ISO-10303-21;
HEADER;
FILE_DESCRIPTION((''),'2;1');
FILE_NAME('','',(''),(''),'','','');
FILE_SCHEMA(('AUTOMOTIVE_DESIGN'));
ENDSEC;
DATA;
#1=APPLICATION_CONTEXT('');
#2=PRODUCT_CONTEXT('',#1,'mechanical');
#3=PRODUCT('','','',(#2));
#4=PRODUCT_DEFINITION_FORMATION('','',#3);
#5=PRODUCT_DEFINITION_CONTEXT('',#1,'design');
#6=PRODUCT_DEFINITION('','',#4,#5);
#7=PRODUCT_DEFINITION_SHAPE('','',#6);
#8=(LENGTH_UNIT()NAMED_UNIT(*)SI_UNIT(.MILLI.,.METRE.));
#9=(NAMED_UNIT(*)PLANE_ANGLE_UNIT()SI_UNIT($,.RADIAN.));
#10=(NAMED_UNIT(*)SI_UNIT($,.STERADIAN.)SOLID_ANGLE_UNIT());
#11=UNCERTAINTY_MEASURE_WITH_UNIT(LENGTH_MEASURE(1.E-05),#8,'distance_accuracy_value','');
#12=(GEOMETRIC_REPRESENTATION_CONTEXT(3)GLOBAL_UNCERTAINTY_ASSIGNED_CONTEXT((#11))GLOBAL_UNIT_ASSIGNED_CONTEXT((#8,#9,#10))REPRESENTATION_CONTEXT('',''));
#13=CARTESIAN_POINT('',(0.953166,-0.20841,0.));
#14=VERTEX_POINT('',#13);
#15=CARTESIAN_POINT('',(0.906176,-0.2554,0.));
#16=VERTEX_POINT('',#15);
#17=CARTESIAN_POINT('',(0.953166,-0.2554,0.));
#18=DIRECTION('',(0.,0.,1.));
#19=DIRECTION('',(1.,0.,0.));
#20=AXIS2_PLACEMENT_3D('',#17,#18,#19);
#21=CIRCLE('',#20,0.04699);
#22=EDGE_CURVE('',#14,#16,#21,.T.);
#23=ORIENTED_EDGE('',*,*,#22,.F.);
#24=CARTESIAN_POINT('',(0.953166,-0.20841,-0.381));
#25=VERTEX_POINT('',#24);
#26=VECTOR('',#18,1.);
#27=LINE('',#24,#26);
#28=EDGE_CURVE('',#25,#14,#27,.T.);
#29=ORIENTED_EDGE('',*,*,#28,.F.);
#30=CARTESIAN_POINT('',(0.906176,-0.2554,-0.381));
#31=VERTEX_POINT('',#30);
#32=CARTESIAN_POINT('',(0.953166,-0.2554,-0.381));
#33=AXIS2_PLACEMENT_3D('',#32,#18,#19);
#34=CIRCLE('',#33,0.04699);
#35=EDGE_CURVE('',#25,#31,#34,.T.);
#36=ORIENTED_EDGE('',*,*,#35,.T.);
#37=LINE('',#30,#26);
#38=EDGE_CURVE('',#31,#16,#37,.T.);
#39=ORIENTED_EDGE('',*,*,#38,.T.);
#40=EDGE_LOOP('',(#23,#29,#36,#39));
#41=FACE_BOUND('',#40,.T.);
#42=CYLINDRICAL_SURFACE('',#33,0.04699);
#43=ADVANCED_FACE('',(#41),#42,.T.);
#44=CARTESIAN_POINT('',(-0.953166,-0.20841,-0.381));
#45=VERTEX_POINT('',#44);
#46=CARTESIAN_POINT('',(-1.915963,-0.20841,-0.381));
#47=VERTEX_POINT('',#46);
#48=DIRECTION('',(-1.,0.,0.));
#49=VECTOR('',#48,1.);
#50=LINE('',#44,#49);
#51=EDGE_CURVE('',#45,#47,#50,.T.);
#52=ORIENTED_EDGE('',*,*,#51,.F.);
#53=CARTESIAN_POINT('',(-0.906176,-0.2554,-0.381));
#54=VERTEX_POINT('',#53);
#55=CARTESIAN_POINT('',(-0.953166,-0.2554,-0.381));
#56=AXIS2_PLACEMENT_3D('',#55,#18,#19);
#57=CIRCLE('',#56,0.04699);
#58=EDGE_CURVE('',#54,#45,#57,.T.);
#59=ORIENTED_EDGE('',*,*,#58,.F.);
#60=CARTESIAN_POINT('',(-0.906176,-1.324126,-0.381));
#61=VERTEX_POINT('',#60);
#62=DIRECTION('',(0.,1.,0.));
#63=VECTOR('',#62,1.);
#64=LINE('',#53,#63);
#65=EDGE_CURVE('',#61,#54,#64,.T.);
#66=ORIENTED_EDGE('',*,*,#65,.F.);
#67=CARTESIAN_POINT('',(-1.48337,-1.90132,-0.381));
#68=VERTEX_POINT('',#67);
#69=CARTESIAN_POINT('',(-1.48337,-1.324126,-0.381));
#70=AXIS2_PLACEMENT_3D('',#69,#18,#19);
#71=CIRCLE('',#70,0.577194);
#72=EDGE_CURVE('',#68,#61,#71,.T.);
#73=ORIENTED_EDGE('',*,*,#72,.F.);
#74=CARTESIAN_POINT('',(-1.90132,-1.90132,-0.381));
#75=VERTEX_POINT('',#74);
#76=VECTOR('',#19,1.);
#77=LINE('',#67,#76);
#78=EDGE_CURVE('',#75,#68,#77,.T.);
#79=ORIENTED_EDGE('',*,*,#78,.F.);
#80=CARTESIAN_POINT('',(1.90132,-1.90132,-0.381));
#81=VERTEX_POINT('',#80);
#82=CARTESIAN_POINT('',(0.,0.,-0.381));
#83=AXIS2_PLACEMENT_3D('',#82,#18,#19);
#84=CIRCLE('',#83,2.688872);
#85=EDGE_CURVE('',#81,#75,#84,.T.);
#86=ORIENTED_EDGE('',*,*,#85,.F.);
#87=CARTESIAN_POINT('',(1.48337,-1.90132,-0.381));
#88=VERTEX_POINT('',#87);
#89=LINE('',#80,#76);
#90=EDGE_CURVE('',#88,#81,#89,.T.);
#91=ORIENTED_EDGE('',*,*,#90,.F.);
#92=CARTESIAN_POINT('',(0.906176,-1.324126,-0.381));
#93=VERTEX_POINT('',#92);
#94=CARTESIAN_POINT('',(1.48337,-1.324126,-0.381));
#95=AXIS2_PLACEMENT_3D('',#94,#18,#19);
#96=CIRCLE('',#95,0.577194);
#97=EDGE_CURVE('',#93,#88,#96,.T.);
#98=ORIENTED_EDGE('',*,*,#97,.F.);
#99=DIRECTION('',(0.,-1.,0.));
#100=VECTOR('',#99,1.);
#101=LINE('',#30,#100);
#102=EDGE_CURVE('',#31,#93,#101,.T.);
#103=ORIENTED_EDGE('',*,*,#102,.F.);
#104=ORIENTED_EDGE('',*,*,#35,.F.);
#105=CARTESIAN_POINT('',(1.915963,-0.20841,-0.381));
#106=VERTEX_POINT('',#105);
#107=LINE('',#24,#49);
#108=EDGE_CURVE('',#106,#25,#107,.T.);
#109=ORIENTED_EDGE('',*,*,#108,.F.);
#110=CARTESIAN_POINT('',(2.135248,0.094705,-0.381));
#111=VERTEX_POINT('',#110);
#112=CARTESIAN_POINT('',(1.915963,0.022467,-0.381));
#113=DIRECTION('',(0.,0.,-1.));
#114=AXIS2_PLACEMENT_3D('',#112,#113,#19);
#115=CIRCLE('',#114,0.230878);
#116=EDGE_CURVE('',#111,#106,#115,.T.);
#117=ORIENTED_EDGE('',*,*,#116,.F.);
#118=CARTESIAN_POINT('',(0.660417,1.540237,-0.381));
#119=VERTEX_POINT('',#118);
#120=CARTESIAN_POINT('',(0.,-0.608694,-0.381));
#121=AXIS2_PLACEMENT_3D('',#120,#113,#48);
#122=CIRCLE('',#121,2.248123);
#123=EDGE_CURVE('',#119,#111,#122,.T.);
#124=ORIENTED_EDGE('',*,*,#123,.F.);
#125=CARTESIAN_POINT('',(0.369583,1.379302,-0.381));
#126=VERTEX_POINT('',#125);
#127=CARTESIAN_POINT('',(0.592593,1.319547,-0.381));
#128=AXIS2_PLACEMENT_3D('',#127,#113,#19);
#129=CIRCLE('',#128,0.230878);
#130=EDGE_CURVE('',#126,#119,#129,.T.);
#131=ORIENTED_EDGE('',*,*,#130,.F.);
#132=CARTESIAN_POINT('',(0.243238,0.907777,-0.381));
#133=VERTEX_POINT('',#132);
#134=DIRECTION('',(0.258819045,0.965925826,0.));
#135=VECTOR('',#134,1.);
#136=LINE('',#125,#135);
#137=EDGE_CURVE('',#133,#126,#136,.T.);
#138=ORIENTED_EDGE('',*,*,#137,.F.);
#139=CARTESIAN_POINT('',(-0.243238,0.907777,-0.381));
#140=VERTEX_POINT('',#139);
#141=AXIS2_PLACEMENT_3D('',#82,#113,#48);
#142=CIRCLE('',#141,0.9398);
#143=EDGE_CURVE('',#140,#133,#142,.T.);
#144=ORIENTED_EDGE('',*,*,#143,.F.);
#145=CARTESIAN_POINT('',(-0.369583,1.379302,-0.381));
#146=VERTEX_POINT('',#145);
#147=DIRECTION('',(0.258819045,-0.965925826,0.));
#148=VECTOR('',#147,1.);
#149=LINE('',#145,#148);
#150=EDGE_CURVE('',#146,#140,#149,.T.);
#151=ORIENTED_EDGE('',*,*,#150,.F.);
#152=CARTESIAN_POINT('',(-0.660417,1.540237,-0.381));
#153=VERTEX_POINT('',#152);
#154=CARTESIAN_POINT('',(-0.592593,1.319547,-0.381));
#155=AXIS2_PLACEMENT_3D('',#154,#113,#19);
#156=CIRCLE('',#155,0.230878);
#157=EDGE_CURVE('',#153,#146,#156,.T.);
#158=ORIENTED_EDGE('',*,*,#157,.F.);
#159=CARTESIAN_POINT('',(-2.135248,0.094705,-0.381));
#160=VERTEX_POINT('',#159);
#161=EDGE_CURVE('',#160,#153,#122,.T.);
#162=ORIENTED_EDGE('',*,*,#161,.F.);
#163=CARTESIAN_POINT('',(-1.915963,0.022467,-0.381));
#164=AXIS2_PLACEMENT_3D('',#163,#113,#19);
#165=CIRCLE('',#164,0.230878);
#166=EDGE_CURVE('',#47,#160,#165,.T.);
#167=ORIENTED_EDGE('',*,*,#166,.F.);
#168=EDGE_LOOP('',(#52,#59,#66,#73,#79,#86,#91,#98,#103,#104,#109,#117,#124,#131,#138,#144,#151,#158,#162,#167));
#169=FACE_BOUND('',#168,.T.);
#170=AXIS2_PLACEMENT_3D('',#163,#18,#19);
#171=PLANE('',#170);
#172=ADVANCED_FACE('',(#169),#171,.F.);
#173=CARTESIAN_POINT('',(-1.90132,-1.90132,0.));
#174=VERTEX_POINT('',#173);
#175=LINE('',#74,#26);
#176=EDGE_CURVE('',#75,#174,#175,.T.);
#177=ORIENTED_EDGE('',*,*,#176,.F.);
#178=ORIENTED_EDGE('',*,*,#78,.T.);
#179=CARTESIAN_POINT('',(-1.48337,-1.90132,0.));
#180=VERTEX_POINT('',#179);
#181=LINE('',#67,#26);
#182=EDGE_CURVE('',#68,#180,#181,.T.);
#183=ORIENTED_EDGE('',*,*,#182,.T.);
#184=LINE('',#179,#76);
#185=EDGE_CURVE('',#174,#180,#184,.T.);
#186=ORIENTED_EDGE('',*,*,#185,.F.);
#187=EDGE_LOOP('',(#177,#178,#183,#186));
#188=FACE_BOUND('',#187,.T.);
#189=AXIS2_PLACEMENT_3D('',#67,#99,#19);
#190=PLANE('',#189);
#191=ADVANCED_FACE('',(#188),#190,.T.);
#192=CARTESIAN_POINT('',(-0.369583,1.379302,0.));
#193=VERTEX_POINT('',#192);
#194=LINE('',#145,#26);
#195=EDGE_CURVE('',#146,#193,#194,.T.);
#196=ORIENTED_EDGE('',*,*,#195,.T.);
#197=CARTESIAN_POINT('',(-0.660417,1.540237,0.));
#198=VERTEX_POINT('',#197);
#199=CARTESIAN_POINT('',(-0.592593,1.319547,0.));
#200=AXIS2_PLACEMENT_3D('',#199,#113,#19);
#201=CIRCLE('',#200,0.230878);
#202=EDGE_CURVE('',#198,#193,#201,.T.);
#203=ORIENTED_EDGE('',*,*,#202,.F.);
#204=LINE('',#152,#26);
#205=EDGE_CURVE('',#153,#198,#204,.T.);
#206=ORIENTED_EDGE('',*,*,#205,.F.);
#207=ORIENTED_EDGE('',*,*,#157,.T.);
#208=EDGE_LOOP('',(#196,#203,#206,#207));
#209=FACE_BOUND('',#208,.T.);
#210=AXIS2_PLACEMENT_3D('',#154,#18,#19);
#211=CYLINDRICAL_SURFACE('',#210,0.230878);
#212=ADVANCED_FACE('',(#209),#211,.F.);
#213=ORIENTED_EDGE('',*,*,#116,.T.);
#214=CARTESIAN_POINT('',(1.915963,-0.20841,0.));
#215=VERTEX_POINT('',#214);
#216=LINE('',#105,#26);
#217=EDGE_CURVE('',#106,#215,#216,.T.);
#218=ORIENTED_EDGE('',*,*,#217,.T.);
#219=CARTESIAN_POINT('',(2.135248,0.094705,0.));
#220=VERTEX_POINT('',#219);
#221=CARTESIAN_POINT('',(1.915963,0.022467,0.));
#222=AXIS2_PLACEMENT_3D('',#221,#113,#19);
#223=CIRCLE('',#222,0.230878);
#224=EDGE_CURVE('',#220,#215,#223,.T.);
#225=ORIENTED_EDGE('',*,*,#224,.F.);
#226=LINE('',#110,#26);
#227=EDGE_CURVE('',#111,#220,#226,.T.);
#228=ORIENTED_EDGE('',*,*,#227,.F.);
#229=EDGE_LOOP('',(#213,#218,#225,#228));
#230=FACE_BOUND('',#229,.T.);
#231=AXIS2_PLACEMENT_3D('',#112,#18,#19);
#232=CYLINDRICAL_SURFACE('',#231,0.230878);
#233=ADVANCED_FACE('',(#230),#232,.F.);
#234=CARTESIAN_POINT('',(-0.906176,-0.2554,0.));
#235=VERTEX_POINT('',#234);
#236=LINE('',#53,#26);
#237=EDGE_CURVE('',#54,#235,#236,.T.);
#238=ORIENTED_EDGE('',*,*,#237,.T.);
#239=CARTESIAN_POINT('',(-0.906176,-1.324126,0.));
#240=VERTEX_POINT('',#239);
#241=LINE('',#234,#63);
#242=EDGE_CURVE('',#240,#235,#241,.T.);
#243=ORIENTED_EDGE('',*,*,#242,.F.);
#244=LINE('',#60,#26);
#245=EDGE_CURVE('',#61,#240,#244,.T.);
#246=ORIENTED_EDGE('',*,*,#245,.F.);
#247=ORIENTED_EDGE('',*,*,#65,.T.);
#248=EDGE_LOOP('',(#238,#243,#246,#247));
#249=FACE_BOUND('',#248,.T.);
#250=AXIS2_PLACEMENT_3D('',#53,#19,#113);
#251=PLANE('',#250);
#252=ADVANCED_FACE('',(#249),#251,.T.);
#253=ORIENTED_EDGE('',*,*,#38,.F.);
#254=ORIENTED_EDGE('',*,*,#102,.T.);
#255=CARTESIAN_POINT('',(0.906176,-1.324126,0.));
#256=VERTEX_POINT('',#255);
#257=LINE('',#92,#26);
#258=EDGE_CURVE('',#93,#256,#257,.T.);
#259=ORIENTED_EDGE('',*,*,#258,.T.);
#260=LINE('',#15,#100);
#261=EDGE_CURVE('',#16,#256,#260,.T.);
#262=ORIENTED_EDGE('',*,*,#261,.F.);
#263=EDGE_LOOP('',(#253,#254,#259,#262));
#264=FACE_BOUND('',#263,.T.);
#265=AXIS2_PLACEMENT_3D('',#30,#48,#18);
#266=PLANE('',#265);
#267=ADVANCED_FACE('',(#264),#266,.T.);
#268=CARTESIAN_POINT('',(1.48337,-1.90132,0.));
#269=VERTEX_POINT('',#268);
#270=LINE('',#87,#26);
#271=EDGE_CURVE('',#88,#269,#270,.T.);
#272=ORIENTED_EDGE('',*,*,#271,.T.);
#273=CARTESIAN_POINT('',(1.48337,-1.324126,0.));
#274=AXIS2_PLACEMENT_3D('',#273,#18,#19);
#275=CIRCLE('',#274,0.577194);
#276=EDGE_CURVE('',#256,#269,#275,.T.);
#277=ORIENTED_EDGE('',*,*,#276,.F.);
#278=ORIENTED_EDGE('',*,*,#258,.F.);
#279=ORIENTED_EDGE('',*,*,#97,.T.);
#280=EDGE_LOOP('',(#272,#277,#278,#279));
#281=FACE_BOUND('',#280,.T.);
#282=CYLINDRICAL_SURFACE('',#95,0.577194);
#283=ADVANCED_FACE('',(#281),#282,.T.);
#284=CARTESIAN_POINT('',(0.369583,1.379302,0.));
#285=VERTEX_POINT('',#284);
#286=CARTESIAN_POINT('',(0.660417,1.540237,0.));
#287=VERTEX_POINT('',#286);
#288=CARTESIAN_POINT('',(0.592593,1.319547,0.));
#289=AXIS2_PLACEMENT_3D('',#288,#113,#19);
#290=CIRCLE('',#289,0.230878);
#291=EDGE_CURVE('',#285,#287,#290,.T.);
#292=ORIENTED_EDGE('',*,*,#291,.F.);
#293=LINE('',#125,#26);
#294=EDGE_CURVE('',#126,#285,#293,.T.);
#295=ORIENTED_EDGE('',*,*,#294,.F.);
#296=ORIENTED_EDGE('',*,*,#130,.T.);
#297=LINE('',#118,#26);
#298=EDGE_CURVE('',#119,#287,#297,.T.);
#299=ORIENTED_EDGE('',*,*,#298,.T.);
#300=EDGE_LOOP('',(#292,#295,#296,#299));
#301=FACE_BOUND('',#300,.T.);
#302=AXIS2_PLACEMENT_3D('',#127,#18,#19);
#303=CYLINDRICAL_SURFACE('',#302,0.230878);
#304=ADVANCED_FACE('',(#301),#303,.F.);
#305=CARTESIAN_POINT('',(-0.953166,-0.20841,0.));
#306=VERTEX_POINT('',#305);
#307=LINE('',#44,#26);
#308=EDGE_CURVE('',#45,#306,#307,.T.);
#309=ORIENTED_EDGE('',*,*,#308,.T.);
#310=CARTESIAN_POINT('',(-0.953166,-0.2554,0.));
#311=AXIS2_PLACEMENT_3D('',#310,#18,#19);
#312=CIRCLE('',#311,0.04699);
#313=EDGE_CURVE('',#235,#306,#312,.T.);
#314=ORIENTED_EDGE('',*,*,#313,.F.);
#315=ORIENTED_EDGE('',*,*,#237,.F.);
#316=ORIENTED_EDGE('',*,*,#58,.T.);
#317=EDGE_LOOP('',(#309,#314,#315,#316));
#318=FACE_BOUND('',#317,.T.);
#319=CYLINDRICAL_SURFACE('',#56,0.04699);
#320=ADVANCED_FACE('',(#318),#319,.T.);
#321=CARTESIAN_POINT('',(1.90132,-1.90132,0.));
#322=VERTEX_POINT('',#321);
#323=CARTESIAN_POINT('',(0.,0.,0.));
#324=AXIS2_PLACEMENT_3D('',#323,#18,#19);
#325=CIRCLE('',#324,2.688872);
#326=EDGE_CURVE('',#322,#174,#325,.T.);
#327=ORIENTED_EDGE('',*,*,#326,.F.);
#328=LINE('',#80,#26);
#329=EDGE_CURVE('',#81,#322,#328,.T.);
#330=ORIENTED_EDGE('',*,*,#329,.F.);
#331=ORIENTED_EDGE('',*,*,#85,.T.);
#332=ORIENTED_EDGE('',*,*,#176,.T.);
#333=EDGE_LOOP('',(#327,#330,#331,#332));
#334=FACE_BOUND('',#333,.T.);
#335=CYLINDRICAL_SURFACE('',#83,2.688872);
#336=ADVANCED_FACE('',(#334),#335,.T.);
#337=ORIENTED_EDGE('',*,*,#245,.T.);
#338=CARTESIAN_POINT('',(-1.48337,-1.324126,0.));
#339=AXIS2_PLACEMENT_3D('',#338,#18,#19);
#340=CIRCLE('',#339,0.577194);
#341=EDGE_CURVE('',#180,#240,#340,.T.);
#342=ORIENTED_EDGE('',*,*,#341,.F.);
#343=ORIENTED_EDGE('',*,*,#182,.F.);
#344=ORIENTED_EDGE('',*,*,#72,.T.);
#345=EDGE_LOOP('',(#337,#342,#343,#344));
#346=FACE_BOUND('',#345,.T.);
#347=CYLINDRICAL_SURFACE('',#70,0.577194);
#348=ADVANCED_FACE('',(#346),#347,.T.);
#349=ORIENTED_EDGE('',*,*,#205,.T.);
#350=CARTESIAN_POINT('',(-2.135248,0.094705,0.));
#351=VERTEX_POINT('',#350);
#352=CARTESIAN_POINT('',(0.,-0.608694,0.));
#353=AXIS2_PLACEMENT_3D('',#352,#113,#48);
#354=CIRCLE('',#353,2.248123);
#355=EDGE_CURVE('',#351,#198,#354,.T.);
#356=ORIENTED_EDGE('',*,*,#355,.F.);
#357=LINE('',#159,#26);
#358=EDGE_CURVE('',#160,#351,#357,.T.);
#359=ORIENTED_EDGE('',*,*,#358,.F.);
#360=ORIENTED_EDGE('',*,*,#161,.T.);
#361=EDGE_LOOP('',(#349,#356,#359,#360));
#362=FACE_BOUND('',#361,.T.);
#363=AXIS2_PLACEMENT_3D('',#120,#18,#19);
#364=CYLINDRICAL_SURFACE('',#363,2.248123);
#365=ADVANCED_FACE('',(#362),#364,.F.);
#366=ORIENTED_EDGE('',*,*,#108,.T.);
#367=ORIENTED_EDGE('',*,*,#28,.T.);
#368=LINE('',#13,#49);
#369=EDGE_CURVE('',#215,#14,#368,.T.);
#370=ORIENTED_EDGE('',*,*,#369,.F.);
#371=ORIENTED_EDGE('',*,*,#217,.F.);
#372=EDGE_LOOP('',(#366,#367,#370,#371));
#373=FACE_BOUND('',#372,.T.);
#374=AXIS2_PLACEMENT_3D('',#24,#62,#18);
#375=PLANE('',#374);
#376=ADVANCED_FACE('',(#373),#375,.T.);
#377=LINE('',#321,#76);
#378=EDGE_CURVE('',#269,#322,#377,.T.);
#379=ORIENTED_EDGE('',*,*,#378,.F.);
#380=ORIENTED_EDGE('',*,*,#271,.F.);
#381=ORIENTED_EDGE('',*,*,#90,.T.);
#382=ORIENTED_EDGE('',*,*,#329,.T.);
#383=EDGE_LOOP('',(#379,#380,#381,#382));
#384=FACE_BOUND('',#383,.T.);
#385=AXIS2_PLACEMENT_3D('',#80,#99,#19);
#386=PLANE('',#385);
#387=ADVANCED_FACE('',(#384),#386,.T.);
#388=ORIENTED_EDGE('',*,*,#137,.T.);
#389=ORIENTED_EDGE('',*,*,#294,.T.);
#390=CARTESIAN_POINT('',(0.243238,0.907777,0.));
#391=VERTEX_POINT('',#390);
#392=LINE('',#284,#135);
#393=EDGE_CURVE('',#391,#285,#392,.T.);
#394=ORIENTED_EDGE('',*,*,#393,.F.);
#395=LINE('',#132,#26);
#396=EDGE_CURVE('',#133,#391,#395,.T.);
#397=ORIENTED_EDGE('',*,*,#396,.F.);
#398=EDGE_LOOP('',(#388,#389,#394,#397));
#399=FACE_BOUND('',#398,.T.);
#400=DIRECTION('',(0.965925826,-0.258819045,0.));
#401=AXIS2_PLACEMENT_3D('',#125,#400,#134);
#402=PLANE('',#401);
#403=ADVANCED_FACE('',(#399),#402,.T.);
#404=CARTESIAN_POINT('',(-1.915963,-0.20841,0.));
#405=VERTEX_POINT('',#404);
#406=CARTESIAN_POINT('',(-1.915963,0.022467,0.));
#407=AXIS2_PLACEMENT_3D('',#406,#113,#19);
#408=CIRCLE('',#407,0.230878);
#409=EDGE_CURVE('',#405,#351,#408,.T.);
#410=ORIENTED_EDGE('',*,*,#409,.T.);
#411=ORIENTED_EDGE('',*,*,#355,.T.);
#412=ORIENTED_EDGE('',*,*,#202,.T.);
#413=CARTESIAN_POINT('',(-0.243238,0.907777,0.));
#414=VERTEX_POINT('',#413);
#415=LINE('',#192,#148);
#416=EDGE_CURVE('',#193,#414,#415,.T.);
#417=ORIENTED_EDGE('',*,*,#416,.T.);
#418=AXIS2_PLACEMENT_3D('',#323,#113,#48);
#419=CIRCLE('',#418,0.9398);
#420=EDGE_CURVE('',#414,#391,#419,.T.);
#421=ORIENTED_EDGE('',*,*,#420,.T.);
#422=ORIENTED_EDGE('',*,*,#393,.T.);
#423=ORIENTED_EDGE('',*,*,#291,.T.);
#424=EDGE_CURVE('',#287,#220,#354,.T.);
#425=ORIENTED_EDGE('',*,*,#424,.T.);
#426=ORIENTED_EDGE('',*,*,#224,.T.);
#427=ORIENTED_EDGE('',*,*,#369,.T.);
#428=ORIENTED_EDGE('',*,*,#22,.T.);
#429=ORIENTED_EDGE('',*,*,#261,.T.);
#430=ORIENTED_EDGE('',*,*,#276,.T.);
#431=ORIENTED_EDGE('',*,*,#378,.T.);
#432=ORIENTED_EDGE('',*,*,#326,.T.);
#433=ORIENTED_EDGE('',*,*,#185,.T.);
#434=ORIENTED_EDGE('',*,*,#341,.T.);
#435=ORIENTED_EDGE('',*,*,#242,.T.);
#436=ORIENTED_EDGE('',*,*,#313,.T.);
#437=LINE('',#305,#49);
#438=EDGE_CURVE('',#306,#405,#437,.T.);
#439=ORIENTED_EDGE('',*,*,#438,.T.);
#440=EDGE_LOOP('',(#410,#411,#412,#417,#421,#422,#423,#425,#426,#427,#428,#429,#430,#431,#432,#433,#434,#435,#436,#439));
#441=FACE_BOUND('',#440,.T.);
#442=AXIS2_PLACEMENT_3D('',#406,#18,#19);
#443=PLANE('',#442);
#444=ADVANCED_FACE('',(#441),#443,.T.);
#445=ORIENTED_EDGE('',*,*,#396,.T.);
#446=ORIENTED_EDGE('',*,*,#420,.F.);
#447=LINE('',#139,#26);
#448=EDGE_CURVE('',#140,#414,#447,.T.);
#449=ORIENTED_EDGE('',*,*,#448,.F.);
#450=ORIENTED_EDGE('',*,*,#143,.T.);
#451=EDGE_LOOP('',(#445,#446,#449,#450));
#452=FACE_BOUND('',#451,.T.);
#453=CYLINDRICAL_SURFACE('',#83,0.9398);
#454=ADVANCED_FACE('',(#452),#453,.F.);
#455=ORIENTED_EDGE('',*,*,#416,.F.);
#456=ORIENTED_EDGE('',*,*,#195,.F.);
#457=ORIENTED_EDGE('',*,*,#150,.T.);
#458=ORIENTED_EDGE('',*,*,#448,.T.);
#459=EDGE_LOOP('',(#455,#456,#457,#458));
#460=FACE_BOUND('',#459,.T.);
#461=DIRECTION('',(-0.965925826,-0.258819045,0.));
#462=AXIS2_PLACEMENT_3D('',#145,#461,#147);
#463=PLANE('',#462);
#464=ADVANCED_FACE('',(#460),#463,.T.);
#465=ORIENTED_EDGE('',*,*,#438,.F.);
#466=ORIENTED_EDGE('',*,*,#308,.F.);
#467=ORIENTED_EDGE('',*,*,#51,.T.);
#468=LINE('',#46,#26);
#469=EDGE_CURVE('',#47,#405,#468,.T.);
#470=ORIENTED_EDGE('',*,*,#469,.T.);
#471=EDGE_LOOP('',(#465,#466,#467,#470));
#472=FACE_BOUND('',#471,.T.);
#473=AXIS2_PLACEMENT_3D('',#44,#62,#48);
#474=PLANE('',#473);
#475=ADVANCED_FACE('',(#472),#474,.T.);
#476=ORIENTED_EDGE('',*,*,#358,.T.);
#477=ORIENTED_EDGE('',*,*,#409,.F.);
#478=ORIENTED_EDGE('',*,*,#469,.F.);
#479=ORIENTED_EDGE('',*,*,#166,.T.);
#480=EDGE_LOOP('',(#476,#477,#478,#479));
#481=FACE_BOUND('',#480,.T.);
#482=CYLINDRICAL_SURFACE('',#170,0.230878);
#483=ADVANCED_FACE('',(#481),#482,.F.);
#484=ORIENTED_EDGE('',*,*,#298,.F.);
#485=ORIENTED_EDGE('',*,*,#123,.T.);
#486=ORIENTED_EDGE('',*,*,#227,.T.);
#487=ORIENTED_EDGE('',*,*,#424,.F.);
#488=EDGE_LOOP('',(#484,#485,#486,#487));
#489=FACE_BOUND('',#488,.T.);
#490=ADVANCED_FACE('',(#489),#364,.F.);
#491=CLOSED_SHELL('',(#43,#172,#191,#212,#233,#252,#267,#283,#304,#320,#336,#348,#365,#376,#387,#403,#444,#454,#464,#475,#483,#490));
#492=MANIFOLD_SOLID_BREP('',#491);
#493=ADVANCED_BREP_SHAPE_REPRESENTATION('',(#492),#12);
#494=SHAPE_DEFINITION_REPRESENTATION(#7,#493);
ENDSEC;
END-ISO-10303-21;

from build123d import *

# Parameters (mm, degrees)
BODY_DEPTH = 0.381


with BuildPart() as part:
    # BodySke → Body (new body)
    with BuildSketch(Plane.XY):
        with BuildLine():
            Line((1.901319782, -1.901319782), (1.483369779, -1.901319782))
            ThreePointArc((1.483369779, -1.901319782), (1.075232106, -1.732263622), (0.906175946, -1.324125949))
            Line((0.906175946, -1.324125949), (0.906175946, -0.255400046))
            ThreePointArc((0.906175946, -0.255400046), (0.919938998, -0.222173098), (0.953165946, -0.208410046))
            Line((0.953165946, -0.208410046), (1.915962831, -0.208410046))
            ThreePointArc((1.915962831, -0.208410046), (2.103022282, -0.112858774), (2.135248405, 0.094705098))
            ThreePointArc((2.135248405, 0.094705098), (1.573634966, 0.996836852), (0.660416899, 1.540237365))
            ThreePointArc((0.660416899, 1.540237365), (0.480808835, 1.521558065), (0.369582883, 1.379302098))
            Line((0.369582883, 1.379302098), (0.243238139, 0.907777092))
            ThreePointArc((0.243238139, 0.907777092), (0, 0.9398), (-0.243238139, 0.907777092))
            Line((-0.243238139, 0.907777092), (-0.369582883, 1.379302098))
            ThreePointArc((-0.369582883, 1.379302098), (-0.480808835, 1.521558065), (-0.660416899, 1.540237365))
            ThreePointArc((-0.660416899, 1.540237365), (-1.573634966, 0.996836852), (-2.135248405, 0.094705098))
            ThreePointArc((-2.135248405, 0.094705098), (-2.103022282, -0.112858774), (-1.915962831, -0.208410046))
            Line((-1.915962831, -0.208410046), (-0.953165946, -0.208410046))
            ThreePointArc((-0.953165946, -0.208410046), (-0.919938998, -0.222173098), (-0.906175946, -0.255400046))
            Line((-0.906175946, -0.255400046), (-0.906175946, -1.324125949))
            ThreePointArc((-0.906175946, -1.324125949), (-1.075232106, -1.732263622), (-1.483369779, -1.901319782))
            Line((-1.483369779, -1.901319782), (-1.901319782, -1.901319782))
            ThreePointArc((-1.901319782, -1.901319782), (0, 2.688872222), (1.901319782, -1.901319782))
        make_face()
    extrude(amount=-BODY_DEPTH)


solid = part.part
